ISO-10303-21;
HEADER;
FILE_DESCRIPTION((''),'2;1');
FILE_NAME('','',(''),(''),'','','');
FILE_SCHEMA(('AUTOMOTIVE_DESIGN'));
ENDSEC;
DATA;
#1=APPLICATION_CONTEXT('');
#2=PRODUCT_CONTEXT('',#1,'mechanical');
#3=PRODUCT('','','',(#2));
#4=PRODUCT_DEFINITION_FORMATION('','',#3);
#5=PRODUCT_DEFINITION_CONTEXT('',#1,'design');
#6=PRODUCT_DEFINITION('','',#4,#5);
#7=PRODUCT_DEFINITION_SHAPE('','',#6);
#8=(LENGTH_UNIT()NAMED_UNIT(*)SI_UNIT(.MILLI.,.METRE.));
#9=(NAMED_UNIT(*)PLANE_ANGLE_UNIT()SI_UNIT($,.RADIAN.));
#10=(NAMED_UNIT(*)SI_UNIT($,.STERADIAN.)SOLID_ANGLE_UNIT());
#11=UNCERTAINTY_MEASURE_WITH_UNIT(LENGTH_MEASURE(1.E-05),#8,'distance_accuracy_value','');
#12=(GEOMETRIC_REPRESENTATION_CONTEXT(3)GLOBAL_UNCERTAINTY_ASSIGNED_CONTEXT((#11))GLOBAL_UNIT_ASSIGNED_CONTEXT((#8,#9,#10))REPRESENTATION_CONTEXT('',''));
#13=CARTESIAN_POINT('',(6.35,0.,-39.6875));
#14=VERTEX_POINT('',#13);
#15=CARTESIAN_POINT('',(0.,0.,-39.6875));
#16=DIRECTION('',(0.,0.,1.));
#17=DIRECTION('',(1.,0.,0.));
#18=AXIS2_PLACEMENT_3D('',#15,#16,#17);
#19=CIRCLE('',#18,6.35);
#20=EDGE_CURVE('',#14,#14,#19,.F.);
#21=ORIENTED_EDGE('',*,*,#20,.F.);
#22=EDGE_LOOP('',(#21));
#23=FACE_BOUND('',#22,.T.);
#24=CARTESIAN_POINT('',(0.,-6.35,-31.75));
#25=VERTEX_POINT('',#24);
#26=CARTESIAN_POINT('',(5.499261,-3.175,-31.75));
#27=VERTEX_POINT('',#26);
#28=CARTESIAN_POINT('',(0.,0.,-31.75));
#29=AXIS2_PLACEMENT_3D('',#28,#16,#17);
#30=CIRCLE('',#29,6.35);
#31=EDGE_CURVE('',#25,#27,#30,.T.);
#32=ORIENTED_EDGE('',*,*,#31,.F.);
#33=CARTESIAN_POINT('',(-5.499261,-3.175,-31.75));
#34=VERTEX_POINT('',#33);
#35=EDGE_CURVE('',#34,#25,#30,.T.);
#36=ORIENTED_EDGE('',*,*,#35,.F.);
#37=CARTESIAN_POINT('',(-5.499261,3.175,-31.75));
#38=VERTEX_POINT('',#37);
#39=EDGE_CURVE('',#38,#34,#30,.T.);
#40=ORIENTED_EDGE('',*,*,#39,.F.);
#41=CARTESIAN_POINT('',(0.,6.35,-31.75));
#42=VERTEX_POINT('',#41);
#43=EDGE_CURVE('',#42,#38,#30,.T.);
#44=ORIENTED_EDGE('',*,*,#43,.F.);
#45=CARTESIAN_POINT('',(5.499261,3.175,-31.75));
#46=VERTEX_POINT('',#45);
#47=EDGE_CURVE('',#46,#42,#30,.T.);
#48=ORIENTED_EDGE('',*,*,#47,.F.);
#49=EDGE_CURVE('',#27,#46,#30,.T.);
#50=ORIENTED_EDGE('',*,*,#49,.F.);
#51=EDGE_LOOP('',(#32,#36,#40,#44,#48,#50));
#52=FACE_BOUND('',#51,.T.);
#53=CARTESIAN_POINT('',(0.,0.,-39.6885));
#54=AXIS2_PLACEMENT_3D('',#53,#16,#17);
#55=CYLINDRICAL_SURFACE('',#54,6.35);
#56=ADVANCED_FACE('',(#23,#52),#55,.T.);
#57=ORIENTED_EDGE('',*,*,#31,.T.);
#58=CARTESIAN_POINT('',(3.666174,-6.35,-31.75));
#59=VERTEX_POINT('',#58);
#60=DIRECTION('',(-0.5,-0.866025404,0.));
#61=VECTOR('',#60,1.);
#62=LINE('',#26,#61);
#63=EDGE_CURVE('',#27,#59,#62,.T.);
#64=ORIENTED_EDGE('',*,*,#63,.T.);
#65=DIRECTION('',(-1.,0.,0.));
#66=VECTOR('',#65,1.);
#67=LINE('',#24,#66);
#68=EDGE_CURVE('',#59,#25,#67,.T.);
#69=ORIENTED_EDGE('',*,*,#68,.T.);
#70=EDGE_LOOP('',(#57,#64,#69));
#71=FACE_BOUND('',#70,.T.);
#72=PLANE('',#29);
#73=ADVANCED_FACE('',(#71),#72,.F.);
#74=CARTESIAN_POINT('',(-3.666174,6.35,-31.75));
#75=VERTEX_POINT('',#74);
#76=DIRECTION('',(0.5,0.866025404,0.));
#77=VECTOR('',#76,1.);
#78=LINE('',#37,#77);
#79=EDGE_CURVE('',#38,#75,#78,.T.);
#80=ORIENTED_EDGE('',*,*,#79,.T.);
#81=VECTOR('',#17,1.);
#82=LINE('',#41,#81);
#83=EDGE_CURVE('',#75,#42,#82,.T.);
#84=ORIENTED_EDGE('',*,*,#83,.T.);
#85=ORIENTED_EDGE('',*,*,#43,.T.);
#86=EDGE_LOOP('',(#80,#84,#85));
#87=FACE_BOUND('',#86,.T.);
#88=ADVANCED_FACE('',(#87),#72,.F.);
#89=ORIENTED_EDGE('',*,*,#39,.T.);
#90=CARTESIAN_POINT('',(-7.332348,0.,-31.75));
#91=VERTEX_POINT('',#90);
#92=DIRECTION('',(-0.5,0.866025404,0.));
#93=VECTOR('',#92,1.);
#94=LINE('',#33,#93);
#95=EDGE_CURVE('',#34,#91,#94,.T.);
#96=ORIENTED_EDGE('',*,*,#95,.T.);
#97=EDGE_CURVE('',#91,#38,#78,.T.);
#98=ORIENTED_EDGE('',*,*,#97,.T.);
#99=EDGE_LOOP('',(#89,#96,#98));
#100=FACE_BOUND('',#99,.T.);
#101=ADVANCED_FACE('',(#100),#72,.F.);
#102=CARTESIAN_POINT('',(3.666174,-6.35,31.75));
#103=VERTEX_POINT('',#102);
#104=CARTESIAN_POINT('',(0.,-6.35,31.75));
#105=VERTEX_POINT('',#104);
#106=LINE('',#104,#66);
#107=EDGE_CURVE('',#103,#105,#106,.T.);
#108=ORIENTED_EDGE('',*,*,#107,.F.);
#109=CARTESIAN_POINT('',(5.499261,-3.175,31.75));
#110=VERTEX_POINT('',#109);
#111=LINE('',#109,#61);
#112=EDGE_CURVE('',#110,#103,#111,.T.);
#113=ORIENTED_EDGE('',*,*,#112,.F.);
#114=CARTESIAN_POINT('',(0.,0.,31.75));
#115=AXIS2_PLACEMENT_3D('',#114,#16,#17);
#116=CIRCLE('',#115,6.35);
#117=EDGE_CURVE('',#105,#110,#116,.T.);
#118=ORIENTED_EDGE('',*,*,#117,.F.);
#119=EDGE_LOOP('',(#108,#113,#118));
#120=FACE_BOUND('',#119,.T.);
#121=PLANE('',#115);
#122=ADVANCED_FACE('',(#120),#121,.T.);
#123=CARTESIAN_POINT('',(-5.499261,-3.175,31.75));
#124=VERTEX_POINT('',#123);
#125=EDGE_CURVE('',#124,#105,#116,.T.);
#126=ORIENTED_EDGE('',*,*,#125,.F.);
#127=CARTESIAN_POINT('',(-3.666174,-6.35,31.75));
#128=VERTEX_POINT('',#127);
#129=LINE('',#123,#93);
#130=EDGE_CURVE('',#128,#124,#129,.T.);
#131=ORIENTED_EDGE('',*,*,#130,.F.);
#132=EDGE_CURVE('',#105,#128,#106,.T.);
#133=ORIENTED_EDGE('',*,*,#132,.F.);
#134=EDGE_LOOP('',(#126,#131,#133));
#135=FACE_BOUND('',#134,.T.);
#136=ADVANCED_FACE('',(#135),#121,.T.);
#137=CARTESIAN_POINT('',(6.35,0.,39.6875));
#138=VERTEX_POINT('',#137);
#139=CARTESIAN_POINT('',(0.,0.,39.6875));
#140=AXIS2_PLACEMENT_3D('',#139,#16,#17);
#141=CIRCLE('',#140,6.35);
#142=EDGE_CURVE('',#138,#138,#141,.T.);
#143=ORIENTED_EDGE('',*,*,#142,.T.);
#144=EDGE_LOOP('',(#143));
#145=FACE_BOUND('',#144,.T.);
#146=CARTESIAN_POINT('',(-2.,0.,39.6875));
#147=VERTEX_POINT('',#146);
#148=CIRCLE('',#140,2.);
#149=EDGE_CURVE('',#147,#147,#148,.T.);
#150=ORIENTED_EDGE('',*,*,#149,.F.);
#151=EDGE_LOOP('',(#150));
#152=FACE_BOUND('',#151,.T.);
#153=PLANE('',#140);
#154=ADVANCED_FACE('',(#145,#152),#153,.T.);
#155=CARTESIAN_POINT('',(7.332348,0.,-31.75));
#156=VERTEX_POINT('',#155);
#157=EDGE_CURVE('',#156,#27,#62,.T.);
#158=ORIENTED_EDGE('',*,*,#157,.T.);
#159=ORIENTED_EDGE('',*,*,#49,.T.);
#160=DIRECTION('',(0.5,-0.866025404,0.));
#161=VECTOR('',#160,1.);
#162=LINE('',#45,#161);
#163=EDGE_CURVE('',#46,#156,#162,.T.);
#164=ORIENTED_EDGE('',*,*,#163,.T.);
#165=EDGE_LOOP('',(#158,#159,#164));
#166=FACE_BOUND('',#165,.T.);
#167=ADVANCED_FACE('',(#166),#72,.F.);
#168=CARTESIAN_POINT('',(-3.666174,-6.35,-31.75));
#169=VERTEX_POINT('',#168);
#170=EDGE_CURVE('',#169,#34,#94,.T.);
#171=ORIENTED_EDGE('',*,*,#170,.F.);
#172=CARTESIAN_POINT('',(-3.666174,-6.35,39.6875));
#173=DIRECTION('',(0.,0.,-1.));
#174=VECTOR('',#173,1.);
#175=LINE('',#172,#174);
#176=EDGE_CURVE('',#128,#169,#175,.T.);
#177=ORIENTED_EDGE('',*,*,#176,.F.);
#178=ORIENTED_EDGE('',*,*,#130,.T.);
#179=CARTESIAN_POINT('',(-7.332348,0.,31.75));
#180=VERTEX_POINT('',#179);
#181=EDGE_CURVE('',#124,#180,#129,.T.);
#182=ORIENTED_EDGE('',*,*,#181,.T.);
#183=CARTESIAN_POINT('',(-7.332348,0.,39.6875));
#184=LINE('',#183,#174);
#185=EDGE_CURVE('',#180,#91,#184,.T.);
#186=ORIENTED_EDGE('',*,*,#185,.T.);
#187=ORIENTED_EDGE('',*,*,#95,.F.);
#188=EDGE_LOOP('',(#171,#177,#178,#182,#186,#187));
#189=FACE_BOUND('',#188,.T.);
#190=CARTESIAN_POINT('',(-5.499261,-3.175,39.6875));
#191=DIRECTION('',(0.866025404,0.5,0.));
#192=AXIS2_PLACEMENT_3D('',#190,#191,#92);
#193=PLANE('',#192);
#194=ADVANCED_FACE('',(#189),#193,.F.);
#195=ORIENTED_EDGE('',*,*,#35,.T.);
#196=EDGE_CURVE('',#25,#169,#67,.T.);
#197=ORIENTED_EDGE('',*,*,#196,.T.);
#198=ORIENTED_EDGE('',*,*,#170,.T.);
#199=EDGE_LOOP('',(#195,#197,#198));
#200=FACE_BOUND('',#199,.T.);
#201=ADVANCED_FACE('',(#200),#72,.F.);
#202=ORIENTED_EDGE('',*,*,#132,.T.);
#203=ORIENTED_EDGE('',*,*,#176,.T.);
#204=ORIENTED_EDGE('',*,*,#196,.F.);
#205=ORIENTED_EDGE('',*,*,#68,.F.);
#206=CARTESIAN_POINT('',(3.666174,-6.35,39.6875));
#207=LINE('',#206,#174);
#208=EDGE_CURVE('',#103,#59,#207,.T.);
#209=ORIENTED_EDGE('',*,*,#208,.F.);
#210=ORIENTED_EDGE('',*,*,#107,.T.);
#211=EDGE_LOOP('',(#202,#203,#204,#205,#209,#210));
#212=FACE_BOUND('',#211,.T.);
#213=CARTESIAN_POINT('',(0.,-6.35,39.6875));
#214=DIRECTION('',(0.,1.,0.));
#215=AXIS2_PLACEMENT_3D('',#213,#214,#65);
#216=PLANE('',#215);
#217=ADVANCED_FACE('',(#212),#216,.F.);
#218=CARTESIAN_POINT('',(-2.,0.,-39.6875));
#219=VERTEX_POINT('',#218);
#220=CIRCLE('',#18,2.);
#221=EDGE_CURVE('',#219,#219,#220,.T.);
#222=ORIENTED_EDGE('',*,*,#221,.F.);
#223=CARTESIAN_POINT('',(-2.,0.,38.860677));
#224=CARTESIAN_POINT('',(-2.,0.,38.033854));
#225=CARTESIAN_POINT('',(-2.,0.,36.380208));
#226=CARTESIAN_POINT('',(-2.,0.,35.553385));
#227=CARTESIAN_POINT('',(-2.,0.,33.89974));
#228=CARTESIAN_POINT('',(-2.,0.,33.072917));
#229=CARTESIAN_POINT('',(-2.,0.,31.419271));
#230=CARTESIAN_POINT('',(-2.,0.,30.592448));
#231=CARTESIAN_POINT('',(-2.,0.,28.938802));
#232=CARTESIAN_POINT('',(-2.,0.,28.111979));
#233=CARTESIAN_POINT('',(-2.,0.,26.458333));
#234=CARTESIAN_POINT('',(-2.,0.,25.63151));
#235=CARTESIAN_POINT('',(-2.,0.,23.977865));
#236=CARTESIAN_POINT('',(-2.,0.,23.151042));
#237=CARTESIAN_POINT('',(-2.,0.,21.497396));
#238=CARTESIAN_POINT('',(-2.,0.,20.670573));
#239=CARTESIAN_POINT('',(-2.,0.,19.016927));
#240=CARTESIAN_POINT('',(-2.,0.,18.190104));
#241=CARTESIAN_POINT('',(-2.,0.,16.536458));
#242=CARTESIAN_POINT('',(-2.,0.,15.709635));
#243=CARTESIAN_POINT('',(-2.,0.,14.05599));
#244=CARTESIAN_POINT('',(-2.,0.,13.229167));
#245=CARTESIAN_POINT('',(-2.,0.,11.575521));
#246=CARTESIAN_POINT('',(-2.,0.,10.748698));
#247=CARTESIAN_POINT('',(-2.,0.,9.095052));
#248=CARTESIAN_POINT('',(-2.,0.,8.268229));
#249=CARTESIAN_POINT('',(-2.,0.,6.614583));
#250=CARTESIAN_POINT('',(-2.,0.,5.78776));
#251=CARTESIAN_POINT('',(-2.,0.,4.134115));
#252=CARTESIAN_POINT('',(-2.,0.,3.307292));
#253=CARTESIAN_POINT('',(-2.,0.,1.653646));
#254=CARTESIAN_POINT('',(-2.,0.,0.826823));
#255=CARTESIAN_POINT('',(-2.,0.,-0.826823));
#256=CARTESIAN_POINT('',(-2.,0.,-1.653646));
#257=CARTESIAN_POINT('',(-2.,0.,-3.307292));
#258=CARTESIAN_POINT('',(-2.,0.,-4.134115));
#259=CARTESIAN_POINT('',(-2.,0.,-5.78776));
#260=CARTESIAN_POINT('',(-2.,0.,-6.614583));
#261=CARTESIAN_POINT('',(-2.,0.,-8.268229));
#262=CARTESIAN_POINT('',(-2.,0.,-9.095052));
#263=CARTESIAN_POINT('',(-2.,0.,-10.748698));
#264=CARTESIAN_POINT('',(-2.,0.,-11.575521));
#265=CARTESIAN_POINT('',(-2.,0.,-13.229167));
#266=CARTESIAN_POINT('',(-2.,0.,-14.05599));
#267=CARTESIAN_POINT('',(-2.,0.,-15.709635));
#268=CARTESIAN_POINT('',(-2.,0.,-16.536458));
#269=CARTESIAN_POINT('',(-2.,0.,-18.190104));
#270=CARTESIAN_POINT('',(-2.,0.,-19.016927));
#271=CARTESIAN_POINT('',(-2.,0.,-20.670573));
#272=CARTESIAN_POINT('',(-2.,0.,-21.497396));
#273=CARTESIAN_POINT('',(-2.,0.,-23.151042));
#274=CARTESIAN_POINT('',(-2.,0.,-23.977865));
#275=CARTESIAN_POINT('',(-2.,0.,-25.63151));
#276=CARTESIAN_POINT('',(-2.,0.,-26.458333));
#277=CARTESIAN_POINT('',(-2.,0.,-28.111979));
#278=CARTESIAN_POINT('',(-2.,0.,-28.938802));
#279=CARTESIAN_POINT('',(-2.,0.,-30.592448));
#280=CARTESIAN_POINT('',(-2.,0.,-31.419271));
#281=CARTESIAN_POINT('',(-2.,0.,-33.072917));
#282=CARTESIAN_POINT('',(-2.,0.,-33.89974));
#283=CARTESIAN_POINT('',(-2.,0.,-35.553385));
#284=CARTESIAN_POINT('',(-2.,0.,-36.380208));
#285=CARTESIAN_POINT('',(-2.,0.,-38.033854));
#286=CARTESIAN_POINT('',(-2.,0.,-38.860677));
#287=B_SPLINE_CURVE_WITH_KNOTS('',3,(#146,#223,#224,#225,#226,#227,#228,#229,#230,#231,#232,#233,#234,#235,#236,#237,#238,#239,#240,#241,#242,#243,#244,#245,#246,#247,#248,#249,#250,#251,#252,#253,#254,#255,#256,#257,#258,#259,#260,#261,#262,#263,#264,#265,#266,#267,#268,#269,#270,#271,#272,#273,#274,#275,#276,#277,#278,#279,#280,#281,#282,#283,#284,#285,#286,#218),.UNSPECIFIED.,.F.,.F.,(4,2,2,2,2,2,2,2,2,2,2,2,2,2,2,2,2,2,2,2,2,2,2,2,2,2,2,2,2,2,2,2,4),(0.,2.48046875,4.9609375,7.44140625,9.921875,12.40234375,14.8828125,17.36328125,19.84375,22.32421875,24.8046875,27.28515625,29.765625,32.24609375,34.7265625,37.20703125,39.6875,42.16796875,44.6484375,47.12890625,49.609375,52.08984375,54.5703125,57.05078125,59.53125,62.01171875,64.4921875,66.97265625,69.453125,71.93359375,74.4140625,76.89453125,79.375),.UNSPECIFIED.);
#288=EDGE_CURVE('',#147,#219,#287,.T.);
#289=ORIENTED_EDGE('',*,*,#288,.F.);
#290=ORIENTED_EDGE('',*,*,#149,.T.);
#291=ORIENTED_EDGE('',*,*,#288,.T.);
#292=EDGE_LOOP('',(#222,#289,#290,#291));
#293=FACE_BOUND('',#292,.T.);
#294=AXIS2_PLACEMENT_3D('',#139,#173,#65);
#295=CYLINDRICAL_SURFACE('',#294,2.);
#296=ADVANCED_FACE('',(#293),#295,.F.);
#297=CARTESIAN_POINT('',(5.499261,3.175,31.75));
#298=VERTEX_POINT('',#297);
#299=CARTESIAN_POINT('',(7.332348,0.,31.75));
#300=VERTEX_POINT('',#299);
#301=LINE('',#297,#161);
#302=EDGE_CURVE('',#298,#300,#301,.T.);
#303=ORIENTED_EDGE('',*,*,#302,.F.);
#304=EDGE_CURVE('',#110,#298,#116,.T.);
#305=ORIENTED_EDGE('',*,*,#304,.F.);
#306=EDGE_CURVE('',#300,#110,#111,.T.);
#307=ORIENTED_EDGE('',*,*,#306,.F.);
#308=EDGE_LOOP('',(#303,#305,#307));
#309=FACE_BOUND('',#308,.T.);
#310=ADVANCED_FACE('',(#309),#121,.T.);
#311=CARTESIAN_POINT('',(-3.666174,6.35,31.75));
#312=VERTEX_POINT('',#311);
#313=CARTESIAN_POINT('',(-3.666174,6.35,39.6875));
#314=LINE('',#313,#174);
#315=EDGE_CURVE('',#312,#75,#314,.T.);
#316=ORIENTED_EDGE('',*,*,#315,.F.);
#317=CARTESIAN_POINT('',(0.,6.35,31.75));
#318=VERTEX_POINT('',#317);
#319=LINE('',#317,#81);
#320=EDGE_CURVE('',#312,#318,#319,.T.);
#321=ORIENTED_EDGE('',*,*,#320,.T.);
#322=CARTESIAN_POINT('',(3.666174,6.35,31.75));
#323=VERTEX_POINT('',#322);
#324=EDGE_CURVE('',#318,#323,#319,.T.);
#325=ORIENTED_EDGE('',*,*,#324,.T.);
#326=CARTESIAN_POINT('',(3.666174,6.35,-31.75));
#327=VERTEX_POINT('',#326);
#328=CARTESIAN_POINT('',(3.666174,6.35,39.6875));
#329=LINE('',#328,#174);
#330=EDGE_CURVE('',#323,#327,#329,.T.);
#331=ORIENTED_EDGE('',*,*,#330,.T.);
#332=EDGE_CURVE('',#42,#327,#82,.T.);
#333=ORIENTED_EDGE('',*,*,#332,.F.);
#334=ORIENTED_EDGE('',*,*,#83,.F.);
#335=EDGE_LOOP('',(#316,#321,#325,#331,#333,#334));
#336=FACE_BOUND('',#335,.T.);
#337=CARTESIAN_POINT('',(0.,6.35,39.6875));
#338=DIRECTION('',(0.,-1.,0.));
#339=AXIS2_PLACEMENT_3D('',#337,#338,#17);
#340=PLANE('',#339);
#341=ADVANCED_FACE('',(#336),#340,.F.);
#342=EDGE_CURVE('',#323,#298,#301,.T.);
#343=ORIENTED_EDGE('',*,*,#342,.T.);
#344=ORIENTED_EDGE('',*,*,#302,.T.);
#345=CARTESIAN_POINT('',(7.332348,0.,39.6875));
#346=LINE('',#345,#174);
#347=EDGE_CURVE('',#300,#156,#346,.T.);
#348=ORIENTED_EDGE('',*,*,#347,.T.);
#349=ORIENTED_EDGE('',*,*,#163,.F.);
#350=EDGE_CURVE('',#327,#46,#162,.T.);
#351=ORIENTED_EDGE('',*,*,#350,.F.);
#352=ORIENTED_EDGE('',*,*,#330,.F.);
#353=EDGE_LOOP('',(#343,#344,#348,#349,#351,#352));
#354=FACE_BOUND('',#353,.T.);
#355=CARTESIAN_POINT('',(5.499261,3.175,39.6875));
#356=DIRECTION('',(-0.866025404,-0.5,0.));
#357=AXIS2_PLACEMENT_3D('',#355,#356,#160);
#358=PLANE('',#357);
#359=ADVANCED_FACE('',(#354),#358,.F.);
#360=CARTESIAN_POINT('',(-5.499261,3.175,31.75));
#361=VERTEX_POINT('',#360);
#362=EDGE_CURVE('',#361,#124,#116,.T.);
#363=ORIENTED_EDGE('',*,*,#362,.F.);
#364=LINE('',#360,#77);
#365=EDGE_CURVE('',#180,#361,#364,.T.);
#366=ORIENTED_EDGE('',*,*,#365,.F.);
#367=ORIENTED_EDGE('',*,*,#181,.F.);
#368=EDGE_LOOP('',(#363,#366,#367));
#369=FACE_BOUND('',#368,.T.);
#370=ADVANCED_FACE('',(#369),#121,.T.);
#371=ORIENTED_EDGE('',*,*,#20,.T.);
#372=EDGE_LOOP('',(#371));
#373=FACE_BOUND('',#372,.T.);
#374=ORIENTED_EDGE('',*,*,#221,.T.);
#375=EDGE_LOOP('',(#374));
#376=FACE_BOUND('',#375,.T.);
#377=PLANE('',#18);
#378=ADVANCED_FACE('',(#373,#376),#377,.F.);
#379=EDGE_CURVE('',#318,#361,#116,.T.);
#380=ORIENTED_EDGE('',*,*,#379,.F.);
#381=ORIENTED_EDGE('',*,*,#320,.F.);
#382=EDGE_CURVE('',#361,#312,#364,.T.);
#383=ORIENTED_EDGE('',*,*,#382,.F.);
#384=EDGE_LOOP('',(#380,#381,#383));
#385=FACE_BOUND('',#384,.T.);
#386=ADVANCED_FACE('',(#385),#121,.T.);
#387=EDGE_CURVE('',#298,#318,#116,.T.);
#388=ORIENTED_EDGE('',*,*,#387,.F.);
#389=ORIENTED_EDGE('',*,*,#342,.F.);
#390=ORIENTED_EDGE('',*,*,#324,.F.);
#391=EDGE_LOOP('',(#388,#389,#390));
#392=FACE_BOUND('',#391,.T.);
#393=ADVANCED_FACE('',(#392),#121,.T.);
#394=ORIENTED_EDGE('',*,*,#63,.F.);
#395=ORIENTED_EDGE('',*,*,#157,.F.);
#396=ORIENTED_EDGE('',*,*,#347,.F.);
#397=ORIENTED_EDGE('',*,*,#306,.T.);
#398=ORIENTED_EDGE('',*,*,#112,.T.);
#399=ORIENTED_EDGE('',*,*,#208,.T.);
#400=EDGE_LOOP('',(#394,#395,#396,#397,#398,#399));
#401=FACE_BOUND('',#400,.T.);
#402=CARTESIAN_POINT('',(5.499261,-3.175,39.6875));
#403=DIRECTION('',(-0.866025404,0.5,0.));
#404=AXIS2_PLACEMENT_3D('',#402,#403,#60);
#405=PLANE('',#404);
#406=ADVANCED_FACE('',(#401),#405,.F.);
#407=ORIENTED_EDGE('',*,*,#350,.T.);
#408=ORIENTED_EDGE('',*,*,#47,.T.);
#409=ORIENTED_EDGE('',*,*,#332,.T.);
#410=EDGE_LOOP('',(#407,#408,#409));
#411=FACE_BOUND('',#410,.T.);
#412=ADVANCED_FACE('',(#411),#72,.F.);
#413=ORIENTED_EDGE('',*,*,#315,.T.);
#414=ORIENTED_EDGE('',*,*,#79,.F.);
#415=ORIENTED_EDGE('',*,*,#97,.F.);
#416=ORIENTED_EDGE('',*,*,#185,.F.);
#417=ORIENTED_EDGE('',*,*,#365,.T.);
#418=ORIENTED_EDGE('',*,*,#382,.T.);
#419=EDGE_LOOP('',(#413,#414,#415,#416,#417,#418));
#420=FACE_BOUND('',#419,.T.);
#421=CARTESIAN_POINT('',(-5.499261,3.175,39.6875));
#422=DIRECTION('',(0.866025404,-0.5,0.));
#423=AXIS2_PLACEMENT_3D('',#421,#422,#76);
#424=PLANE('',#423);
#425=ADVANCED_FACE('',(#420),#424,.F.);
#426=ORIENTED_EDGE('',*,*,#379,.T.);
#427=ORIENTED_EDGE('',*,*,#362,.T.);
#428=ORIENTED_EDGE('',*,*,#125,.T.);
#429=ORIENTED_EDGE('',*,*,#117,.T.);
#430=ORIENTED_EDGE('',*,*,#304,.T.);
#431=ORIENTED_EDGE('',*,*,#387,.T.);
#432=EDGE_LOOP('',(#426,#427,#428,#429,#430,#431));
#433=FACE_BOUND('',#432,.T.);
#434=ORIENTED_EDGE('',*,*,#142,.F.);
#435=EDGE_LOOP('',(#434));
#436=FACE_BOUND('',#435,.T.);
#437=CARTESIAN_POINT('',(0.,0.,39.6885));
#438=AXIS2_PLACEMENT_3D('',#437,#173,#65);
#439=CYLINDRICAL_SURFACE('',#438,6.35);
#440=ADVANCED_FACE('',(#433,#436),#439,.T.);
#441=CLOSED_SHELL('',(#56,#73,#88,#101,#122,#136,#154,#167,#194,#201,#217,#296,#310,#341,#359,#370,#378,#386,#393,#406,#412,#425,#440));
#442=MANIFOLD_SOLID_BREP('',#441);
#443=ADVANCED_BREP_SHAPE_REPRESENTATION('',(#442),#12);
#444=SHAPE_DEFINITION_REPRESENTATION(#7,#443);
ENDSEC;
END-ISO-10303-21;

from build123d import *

# Parameters (mm, degrees)
SKETCH1_R               = 2.000000064
BOSS_EXTRUDE1_DEPTH     = 39.6875
SKETCH2_R               = 8.89
SKETCH2_R_2             = 6.35
CUT_EXTRUDE_THIN1_DEPTH = 7.9375


with BuildPart() as part:
    # Sketch1 → Boss-Extrude1 (new, symmetric)
    with BuildSketch(Plane.XY):
        Polygon((7.332348419, 0), (3.666174209, 6.35), (-3.666174209, 6.35), (-7.332348419, 0), (-3.666174209, -6.35), (3.666174209, -6.35), align=None)
        with Locations(Location((0, 0, 0), (0, 0, 180))):
            Circle(SKETCH1_R, mode=Mode.SUBTRACT)
    extrude(amount=BOSS_EXTRUDE1_DEPTH, both=True)

    # Sketch2 → Cut-Extrude-Thin1 (cut)
    with BuildSketch(Plane.XY.offset(31.75)):
        Circle(SKETCH2_R)
        Circle(SKETCH2_R_2, mode=Mode.SUBTRACT)
    cut_extrude_thin1 = extrude(amount=CUT_EXTRUDE_THIN1_DEPTH, mode=Mode.SUBTRACT)

    # Mirror1: Cut-Extrude-Thin1 across plane
    add(cut_extrude_thin1.mirror(Plane.XY), mode=Mode.SUBTRACT)


solid = part.part
